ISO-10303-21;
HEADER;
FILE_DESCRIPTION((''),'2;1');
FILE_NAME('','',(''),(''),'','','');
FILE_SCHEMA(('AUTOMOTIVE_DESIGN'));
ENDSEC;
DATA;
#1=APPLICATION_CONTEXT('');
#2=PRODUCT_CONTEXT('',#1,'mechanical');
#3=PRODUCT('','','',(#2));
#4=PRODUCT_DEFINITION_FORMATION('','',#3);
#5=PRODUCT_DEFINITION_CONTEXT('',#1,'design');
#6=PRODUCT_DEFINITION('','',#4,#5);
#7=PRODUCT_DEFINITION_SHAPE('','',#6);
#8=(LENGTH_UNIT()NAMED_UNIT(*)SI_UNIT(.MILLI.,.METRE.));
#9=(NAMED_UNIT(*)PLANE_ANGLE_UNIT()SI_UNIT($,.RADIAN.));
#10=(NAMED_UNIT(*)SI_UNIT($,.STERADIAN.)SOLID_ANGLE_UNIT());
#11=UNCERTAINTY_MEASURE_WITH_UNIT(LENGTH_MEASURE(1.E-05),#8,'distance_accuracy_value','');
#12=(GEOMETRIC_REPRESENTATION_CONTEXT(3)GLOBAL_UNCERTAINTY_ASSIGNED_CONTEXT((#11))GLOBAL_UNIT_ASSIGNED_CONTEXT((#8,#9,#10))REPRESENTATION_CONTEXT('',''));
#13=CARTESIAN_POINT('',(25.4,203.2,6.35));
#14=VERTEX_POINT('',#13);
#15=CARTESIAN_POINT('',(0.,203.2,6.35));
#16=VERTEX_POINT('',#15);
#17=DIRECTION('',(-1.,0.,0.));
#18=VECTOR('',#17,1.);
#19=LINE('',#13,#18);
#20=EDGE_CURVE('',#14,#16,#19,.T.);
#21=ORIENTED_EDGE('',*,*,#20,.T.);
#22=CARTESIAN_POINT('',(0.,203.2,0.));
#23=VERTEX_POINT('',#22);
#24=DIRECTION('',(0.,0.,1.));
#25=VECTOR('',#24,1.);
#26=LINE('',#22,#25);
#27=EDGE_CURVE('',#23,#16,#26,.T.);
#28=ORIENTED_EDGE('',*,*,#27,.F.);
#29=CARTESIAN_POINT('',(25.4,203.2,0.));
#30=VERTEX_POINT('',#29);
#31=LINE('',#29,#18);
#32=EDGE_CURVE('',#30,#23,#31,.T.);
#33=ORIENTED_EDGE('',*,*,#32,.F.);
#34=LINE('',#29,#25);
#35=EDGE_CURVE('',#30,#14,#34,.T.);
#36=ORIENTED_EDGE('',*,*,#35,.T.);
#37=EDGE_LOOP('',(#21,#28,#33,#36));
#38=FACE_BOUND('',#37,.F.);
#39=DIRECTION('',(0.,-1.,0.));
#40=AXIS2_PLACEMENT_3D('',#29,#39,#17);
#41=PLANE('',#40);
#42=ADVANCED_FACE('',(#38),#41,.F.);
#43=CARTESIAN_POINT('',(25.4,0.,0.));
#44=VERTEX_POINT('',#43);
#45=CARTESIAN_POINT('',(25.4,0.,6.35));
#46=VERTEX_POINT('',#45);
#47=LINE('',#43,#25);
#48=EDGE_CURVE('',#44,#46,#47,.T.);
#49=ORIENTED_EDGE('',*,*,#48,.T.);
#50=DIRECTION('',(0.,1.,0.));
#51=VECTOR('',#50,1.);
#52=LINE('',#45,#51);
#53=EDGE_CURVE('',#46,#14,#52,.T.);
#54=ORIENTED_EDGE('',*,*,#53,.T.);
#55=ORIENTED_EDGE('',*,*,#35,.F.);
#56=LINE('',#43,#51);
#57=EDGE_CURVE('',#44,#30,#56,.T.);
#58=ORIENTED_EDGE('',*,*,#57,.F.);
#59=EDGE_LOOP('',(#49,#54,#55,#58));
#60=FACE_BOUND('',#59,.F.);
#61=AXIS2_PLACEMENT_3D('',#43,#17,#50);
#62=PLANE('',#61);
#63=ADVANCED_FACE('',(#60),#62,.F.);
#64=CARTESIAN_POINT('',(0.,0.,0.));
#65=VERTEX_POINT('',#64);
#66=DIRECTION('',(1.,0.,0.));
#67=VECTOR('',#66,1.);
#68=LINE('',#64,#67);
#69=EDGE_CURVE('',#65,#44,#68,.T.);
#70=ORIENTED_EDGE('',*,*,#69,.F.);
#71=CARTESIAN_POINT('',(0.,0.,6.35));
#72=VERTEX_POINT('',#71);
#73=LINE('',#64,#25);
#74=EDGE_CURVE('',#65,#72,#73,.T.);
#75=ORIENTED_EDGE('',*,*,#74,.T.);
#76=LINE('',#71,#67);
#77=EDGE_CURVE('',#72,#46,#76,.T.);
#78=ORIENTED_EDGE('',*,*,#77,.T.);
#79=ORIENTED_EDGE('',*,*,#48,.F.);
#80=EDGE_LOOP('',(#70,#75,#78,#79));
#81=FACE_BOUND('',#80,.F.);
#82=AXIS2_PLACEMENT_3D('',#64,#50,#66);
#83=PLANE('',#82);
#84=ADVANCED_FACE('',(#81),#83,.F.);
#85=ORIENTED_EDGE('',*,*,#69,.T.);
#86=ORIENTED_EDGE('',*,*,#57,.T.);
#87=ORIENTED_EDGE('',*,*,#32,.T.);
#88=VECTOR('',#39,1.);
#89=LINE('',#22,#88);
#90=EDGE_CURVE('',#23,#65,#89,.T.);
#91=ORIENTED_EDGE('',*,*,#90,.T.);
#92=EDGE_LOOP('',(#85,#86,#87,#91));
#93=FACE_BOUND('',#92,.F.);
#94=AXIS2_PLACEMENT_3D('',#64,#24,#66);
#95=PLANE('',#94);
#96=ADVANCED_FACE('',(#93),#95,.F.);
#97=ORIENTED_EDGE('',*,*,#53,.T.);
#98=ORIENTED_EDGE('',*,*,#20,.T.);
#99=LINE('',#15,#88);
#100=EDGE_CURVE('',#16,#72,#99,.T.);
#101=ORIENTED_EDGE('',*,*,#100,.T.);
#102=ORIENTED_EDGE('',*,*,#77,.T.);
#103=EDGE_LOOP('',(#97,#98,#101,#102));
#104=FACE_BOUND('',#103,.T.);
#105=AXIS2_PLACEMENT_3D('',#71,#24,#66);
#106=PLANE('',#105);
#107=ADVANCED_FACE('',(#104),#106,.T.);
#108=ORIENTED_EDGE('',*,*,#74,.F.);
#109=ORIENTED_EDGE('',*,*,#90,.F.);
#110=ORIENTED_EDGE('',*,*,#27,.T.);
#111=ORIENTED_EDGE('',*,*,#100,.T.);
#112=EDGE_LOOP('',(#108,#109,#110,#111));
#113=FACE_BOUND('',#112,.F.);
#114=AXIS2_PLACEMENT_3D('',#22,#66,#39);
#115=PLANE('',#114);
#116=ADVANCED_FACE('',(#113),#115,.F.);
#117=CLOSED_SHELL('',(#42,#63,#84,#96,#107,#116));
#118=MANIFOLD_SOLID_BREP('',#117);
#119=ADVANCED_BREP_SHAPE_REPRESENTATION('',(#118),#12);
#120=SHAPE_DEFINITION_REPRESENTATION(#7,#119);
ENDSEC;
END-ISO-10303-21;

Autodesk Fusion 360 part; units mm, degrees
sketch "Sketch1" plane through (0, 0, 0) normal (0, 0, 1) x (1, 0, 0)
  line L0 (0, 0) -> (25.4, 0)
  line L1 (25.4, 0) -> (25.4, 203.2)
  line L2 (25.4, 203.2) -> (0, 203.2)
  line L3 (0, 203.2) -> (0, 0)
  dimension "d1" = 25.4
  dimension "d2" = 203.2
extrude "Extrude1" add sketch "Sketch1" along normal blind 6.35
